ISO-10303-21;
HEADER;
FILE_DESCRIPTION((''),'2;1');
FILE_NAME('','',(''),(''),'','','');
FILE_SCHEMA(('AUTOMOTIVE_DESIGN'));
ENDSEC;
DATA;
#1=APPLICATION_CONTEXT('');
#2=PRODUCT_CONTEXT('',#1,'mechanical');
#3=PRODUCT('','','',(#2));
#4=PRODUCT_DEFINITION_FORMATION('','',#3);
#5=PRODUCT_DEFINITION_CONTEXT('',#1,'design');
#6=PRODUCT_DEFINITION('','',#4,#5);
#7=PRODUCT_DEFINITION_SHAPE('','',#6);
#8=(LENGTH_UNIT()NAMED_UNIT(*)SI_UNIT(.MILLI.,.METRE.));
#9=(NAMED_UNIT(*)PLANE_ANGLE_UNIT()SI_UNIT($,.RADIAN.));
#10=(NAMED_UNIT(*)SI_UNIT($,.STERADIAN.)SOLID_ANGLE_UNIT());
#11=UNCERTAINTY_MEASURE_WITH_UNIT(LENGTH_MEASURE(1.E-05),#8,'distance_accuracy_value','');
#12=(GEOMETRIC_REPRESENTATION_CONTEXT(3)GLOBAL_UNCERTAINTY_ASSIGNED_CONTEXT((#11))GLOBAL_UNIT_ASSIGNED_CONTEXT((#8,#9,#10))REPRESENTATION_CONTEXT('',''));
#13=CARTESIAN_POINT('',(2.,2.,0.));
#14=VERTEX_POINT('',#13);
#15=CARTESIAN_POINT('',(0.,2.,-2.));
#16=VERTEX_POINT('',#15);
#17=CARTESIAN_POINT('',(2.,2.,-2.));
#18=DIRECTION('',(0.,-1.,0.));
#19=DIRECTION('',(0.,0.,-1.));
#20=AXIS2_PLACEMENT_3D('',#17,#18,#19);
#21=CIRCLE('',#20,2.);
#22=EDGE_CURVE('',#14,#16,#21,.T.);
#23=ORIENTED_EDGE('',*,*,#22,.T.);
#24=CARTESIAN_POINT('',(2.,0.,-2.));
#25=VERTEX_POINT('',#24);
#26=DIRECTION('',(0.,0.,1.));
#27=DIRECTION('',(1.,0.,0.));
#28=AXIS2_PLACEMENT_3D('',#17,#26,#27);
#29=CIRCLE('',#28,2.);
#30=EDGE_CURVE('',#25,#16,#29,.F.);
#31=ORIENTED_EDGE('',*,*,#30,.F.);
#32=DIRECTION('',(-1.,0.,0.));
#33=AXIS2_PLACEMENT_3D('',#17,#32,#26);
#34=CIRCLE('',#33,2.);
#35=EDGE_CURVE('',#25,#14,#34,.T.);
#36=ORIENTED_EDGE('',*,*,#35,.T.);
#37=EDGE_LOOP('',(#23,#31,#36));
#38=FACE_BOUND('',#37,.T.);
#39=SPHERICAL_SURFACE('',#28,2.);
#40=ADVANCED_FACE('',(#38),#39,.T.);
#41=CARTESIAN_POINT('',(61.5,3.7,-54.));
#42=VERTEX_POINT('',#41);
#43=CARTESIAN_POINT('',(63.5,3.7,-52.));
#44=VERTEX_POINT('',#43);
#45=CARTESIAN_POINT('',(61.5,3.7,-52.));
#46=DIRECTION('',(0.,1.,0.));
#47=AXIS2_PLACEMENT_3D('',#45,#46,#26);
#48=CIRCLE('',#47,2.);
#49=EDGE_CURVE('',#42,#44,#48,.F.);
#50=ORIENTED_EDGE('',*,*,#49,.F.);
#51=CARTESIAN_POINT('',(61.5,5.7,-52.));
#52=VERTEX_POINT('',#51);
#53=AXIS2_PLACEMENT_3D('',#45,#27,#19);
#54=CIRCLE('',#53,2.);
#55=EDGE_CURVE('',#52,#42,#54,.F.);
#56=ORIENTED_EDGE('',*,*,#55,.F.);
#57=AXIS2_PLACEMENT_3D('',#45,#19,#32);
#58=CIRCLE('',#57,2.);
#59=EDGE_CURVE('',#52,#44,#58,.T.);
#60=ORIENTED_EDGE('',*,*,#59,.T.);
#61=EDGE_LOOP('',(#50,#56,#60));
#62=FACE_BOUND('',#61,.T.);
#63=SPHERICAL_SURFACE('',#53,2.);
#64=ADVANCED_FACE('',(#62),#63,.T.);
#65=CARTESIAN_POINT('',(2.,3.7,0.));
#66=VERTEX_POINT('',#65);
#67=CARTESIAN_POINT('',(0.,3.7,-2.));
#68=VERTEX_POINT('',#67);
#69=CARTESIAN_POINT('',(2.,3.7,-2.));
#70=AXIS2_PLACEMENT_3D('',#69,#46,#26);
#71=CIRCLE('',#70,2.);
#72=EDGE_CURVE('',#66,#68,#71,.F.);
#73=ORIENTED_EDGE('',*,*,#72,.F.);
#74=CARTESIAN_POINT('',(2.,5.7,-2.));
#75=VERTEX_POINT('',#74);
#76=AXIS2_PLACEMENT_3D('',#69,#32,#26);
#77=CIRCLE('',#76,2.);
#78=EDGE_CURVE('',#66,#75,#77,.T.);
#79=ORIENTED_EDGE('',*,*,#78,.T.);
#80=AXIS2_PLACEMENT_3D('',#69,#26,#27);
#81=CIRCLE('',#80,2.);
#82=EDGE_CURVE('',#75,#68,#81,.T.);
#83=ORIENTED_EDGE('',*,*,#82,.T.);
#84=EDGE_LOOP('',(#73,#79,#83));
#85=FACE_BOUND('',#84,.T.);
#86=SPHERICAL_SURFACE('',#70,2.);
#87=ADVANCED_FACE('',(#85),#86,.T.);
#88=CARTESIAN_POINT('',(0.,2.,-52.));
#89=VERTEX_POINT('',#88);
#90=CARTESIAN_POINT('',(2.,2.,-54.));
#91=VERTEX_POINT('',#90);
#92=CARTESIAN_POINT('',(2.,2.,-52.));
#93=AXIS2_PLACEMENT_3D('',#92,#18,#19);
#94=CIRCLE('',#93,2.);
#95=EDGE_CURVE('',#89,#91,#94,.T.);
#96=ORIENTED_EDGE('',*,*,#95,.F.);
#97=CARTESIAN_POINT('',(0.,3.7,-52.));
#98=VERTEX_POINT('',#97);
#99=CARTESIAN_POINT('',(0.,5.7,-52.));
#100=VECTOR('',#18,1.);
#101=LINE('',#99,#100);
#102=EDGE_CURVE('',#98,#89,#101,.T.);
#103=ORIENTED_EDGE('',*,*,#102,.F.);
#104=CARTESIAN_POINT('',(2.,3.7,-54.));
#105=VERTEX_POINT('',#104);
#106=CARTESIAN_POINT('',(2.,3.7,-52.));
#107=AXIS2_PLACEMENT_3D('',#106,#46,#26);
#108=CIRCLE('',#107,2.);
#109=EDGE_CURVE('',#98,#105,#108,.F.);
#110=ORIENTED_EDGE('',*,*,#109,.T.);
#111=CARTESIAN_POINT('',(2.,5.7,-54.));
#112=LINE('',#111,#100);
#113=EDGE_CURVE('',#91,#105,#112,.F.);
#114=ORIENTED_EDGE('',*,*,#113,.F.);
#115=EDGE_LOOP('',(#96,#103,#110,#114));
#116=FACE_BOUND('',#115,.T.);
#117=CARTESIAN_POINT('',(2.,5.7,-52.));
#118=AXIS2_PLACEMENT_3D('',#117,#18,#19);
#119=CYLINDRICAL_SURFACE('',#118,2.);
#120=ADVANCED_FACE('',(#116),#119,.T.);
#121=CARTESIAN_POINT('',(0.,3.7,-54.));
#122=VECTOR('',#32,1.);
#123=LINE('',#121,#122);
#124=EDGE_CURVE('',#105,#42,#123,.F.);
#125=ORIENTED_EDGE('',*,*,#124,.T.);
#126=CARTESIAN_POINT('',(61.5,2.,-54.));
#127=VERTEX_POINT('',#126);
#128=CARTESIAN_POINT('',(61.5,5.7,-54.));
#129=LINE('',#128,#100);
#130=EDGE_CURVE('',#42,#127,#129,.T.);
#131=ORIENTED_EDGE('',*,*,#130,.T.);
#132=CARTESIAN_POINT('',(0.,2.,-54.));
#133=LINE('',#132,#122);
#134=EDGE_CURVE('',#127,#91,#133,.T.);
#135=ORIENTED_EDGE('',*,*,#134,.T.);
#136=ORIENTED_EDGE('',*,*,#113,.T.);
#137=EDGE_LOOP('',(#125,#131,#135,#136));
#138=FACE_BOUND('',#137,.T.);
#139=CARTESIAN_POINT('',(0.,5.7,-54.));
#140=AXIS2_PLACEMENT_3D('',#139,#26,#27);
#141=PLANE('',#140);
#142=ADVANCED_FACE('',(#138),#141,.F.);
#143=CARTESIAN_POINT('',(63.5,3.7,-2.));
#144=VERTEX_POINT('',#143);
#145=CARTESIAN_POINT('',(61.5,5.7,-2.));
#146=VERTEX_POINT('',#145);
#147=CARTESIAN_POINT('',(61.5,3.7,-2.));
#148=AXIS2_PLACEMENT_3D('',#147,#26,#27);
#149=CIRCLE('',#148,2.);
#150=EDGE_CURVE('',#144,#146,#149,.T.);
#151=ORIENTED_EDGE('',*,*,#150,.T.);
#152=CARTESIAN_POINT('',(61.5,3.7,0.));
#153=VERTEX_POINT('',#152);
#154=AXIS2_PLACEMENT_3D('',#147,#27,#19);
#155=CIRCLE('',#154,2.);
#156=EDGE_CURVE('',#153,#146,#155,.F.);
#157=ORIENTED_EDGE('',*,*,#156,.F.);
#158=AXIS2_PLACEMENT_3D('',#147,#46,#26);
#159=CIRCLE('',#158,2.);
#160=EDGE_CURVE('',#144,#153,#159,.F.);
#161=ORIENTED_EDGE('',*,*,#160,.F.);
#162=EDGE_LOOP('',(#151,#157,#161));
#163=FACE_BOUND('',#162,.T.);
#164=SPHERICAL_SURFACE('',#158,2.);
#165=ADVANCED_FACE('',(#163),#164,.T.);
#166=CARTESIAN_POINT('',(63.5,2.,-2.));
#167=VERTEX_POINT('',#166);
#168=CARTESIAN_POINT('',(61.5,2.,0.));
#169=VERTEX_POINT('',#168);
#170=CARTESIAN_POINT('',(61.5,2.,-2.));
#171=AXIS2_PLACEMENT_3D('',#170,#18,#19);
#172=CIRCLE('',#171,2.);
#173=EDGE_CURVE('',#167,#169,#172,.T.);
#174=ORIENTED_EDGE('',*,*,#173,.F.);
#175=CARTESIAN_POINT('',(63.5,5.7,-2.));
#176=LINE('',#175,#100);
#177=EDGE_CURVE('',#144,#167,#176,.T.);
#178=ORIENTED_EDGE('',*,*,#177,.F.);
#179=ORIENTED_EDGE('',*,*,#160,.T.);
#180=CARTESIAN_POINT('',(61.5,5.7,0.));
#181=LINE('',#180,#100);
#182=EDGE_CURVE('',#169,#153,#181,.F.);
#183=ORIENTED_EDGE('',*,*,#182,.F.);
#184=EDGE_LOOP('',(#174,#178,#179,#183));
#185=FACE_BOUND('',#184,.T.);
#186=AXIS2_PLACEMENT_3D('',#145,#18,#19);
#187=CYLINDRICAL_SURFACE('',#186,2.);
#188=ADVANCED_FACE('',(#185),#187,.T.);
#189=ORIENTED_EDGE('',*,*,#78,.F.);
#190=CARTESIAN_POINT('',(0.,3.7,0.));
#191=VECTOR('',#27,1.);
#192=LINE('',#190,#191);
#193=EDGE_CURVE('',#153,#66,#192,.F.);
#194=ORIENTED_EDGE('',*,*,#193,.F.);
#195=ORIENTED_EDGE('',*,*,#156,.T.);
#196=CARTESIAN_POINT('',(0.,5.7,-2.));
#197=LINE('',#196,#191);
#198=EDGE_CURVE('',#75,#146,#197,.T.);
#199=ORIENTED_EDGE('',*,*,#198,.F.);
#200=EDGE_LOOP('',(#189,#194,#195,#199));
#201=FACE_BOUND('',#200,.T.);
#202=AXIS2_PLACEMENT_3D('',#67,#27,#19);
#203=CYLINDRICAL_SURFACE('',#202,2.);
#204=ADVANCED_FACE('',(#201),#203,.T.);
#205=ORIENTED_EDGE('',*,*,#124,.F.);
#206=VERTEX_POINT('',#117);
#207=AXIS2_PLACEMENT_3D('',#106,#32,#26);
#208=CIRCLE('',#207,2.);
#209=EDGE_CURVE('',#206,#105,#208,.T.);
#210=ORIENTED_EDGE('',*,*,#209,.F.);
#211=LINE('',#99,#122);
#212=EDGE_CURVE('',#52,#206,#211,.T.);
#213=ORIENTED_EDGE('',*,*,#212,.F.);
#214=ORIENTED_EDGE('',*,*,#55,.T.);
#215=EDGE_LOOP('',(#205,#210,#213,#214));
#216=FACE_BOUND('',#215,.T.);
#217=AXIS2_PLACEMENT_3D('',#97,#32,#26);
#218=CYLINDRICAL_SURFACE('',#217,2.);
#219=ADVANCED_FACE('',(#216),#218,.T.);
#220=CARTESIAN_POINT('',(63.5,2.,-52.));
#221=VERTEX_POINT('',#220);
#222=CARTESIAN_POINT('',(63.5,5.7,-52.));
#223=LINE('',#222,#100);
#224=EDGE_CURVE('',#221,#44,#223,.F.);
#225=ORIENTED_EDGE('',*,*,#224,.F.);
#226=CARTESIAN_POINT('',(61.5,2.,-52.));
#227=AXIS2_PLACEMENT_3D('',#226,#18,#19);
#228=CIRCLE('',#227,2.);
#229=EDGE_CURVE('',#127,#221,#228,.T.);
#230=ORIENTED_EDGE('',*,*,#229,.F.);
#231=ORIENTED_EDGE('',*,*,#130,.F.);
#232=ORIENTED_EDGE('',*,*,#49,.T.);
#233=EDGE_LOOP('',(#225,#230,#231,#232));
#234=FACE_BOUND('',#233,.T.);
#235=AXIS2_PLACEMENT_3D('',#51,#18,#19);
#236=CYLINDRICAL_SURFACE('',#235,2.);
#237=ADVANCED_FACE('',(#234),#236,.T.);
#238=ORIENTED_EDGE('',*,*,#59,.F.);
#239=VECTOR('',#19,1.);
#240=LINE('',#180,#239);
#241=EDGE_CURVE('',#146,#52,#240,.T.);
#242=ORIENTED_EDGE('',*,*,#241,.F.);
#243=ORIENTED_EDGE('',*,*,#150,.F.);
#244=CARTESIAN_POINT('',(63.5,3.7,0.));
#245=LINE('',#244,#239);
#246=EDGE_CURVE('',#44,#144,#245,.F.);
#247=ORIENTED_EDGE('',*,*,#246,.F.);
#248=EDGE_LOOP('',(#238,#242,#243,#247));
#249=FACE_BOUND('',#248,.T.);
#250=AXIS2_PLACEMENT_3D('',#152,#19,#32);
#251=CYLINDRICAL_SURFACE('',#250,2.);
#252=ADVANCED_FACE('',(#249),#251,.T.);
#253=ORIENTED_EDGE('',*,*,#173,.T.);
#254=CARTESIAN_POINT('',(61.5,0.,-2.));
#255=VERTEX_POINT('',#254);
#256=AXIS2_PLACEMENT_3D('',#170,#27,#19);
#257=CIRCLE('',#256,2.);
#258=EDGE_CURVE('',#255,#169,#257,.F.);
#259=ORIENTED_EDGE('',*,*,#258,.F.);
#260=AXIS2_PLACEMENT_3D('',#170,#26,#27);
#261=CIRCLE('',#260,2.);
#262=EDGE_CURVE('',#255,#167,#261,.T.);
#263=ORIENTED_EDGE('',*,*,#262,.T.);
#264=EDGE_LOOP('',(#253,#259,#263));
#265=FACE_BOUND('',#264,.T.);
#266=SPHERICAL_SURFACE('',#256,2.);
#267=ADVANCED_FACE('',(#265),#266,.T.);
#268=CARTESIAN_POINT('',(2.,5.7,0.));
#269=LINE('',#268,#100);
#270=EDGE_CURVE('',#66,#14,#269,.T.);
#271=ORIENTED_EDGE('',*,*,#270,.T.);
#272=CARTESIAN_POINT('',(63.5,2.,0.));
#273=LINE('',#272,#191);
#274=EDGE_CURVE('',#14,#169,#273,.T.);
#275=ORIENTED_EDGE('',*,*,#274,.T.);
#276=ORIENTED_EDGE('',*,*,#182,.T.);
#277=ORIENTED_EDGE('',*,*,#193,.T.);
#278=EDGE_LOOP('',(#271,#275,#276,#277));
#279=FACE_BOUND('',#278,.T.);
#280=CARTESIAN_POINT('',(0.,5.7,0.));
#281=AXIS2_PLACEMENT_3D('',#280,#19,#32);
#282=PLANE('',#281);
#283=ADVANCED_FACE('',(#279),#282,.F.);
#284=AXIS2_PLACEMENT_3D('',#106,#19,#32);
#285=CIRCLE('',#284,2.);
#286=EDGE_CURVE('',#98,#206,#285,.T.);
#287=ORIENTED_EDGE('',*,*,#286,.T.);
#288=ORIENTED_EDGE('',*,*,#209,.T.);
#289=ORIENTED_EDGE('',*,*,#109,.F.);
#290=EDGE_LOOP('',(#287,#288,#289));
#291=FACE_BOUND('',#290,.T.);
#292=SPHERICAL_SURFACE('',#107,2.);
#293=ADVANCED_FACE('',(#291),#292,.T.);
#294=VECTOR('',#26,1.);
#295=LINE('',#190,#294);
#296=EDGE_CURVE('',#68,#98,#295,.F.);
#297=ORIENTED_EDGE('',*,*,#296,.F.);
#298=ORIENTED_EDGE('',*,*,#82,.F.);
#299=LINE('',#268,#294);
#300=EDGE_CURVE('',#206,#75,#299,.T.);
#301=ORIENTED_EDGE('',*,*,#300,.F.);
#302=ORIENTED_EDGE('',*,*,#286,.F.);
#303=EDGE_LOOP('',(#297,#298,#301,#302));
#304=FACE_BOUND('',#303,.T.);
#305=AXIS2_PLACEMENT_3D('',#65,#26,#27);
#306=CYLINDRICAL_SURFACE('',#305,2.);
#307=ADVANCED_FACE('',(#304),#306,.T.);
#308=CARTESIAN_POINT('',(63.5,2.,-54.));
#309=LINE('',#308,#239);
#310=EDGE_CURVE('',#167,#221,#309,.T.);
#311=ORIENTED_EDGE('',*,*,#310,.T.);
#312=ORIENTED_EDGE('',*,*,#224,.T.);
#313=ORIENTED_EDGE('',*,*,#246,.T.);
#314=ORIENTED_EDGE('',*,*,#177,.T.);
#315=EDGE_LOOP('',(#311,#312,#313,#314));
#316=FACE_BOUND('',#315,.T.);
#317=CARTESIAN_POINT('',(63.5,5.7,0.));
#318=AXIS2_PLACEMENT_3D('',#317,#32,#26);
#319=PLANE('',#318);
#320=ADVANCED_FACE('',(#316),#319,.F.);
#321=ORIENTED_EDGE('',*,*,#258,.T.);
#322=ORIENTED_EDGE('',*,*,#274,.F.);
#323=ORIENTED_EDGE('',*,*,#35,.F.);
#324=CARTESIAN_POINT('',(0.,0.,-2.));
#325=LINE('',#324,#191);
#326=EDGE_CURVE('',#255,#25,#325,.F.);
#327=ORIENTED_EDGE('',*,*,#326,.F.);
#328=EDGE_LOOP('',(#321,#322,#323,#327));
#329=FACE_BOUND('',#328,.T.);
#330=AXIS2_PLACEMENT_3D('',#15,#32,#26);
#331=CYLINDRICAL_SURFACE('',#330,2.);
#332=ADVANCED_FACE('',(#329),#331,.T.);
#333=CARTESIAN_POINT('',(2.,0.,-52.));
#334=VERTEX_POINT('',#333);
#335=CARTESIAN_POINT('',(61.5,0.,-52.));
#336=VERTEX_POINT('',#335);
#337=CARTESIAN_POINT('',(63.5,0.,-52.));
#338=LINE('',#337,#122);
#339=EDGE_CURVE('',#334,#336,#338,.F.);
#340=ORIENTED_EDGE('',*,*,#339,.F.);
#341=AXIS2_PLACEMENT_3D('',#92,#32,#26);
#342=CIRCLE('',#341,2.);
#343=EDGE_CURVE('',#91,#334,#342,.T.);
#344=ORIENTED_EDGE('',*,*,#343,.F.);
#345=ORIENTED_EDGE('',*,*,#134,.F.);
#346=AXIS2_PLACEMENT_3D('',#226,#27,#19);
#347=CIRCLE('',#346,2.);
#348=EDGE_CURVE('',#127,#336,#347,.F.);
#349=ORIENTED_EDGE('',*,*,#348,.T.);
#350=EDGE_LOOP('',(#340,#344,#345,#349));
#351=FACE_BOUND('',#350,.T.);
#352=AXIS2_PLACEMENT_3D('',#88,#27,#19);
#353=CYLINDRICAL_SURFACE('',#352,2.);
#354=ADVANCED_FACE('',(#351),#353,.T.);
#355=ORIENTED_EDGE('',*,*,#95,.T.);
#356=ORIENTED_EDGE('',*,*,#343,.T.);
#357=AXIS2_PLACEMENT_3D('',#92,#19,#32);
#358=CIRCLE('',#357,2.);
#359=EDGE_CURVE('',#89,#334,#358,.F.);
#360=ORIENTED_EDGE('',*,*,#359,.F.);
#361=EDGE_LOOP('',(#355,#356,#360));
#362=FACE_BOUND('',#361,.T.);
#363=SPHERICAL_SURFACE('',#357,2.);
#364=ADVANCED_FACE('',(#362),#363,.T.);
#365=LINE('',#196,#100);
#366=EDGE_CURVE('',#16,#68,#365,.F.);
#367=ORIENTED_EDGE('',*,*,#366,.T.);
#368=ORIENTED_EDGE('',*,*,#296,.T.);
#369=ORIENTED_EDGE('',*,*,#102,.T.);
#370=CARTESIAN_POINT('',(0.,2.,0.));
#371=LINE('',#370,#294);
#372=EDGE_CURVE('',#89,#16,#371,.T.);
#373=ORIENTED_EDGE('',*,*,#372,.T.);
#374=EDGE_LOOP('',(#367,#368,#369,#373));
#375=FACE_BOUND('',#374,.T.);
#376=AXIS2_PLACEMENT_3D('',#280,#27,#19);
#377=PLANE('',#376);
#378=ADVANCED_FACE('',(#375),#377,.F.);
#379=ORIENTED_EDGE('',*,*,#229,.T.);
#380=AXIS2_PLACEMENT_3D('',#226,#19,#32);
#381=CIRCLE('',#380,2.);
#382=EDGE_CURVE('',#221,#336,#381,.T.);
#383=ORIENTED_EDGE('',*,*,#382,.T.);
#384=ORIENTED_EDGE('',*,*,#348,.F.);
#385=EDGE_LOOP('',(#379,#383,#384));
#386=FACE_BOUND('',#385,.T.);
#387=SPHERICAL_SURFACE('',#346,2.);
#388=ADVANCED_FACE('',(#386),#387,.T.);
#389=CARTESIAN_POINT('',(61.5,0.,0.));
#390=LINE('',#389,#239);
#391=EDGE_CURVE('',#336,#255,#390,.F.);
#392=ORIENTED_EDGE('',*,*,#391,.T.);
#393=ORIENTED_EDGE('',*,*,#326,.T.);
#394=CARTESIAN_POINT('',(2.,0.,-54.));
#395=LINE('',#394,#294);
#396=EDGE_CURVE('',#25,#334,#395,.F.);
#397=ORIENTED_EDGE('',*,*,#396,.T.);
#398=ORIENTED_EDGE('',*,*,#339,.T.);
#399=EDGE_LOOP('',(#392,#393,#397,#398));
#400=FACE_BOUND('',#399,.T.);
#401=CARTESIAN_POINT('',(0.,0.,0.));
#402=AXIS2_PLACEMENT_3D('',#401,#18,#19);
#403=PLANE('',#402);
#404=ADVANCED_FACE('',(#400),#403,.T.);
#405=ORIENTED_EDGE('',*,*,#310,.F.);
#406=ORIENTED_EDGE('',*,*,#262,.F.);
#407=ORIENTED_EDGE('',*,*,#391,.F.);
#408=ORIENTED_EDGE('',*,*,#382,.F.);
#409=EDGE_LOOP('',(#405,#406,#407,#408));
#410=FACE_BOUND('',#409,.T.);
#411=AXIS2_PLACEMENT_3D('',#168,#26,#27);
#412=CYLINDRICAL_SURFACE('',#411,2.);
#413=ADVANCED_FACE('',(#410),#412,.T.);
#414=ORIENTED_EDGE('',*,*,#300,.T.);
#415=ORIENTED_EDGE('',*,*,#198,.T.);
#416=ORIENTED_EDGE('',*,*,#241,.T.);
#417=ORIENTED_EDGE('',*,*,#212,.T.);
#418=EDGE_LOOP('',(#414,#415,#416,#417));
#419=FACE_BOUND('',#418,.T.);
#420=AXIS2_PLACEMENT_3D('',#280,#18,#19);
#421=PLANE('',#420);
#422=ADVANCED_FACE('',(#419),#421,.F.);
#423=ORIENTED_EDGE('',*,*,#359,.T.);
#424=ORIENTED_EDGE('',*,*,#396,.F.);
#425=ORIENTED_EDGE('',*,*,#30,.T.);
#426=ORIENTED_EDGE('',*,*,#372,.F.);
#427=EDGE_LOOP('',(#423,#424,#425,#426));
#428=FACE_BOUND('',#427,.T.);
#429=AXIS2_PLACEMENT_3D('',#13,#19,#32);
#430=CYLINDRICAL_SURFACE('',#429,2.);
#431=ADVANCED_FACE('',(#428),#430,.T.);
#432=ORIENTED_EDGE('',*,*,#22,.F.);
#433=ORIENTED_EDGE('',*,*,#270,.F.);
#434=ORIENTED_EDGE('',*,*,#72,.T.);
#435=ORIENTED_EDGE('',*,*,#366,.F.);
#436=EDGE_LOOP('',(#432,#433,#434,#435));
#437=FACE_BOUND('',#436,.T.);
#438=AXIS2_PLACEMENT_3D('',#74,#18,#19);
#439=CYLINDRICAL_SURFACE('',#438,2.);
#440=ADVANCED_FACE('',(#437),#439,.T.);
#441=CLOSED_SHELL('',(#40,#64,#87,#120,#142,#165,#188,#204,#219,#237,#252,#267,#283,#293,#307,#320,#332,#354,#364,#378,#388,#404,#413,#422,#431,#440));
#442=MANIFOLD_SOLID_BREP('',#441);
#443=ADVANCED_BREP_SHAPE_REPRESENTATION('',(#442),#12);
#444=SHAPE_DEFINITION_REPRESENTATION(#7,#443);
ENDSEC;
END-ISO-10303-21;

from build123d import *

# Parameters (mm, degrees)
SKETCH1_W           = 63.5
SKETCH1_H           = 54
BOSS_EXTRUDE1_DEPTH = 5.7
FILLET1_R           = 2


with BuildPart() as part:
    # Sketch1 → Boss-Extrude1 (new body)
    with BuildSketch(Plane(origin=(0, 0, 0), x_dir=(1, 0, 0), z_dir=(0, 1, 0))):
        with Locations((31.75, 27)):
            Rectangle(SKETCH1_W, SKETCH1_H)
    extrude(amount=BOSS_EXTRUDE1_DEPTH)

    # Fillet1
    fillet1_edges = [part.edges().sort_by_distance(p)[0] for p in [
        (63.5, 5.7, -27),
        (31.75, 5.7, -54),
        (0, 5.7, -27),
        (31.75, 0, -54),
        (63.5, 0, -27),
        (31.75, 0, 0),
        (0, 0, -27),
        (0, 2.85, -54),
        (63.5, 2.85, -54),
        (63.5, 2.85, 0),
        (0, 2.85, 0),
        (31.75, 5.7, 0),
    ]]
    fillet(fillet1_edges, radius=FILLET1_R)


solid = part.part
